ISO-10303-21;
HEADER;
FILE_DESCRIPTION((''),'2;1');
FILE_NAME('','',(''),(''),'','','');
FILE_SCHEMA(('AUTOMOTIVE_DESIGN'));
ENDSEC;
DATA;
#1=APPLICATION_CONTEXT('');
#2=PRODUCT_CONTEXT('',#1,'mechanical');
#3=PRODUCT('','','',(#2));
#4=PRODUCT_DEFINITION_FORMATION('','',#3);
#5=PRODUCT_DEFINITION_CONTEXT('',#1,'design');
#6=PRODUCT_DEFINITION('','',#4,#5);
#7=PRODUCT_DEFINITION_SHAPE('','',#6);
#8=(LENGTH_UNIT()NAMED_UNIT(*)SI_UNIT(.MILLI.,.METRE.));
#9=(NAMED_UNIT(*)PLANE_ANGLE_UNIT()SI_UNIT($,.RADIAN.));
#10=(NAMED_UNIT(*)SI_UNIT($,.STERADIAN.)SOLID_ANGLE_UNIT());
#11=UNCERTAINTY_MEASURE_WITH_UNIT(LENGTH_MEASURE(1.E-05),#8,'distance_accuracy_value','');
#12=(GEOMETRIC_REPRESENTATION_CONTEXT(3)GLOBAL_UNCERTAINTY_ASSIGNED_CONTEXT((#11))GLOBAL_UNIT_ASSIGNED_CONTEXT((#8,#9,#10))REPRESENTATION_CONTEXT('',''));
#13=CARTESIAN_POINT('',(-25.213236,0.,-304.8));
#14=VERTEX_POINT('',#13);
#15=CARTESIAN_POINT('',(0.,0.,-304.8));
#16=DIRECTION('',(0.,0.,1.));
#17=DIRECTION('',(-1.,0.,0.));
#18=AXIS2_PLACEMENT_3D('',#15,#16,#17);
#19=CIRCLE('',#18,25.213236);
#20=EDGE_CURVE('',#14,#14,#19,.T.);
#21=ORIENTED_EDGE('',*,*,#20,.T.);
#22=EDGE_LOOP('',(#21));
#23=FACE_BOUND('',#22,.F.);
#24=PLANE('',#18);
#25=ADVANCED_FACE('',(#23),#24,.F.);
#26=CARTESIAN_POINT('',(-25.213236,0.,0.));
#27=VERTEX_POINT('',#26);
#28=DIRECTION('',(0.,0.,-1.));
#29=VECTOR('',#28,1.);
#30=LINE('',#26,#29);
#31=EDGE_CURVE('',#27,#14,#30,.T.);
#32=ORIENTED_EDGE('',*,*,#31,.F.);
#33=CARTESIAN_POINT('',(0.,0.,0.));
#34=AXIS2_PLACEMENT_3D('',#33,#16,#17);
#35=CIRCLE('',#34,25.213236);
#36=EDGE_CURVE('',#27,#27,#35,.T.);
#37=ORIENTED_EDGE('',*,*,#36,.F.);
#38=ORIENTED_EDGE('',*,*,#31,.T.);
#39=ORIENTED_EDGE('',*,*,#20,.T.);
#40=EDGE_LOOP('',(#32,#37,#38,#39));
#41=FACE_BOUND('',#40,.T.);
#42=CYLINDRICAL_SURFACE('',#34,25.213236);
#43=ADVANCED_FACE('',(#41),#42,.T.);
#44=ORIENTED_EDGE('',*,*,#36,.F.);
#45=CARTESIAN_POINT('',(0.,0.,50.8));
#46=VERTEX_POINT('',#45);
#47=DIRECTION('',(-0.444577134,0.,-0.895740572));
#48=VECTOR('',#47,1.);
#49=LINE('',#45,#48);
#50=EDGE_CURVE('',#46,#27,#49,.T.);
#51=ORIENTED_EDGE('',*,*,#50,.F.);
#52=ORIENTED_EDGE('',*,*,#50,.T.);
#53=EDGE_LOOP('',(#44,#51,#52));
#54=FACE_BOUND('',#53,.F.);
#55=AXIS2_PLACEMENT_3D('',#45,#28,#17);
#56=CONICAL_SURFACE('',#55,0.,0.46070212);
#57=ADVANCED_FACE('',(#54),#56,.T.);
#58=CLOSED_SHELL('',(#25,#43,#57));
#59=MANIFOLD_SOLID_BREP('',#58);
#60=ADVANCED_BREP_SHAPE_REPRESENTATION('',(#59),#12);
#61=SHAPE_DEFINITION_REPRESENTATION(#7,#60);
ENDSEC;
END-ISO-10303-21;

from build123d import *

# Parameters (mm, degrees)
F3_DEPTH = 304.8


with BuildPart() as f2:
    # F1 (on Front) → F2 (revolve)
    with BuildSketch(Plane.XZ):
        Polygon((-25.2132359892, 0), (0, 0), (0, 50.8), align=None)
    revolve(axis=Axis((0, 0, 0), (0, 0, 1)))

    # F3 (add): a face of the model
    f3_faces = [f2.faces().sort_by_distance(p)[0] for p in [
        (0, 0, 0),
    ]]
    extrude(f3_faces, amount=F3_DEPTH)


solid = f2.part
